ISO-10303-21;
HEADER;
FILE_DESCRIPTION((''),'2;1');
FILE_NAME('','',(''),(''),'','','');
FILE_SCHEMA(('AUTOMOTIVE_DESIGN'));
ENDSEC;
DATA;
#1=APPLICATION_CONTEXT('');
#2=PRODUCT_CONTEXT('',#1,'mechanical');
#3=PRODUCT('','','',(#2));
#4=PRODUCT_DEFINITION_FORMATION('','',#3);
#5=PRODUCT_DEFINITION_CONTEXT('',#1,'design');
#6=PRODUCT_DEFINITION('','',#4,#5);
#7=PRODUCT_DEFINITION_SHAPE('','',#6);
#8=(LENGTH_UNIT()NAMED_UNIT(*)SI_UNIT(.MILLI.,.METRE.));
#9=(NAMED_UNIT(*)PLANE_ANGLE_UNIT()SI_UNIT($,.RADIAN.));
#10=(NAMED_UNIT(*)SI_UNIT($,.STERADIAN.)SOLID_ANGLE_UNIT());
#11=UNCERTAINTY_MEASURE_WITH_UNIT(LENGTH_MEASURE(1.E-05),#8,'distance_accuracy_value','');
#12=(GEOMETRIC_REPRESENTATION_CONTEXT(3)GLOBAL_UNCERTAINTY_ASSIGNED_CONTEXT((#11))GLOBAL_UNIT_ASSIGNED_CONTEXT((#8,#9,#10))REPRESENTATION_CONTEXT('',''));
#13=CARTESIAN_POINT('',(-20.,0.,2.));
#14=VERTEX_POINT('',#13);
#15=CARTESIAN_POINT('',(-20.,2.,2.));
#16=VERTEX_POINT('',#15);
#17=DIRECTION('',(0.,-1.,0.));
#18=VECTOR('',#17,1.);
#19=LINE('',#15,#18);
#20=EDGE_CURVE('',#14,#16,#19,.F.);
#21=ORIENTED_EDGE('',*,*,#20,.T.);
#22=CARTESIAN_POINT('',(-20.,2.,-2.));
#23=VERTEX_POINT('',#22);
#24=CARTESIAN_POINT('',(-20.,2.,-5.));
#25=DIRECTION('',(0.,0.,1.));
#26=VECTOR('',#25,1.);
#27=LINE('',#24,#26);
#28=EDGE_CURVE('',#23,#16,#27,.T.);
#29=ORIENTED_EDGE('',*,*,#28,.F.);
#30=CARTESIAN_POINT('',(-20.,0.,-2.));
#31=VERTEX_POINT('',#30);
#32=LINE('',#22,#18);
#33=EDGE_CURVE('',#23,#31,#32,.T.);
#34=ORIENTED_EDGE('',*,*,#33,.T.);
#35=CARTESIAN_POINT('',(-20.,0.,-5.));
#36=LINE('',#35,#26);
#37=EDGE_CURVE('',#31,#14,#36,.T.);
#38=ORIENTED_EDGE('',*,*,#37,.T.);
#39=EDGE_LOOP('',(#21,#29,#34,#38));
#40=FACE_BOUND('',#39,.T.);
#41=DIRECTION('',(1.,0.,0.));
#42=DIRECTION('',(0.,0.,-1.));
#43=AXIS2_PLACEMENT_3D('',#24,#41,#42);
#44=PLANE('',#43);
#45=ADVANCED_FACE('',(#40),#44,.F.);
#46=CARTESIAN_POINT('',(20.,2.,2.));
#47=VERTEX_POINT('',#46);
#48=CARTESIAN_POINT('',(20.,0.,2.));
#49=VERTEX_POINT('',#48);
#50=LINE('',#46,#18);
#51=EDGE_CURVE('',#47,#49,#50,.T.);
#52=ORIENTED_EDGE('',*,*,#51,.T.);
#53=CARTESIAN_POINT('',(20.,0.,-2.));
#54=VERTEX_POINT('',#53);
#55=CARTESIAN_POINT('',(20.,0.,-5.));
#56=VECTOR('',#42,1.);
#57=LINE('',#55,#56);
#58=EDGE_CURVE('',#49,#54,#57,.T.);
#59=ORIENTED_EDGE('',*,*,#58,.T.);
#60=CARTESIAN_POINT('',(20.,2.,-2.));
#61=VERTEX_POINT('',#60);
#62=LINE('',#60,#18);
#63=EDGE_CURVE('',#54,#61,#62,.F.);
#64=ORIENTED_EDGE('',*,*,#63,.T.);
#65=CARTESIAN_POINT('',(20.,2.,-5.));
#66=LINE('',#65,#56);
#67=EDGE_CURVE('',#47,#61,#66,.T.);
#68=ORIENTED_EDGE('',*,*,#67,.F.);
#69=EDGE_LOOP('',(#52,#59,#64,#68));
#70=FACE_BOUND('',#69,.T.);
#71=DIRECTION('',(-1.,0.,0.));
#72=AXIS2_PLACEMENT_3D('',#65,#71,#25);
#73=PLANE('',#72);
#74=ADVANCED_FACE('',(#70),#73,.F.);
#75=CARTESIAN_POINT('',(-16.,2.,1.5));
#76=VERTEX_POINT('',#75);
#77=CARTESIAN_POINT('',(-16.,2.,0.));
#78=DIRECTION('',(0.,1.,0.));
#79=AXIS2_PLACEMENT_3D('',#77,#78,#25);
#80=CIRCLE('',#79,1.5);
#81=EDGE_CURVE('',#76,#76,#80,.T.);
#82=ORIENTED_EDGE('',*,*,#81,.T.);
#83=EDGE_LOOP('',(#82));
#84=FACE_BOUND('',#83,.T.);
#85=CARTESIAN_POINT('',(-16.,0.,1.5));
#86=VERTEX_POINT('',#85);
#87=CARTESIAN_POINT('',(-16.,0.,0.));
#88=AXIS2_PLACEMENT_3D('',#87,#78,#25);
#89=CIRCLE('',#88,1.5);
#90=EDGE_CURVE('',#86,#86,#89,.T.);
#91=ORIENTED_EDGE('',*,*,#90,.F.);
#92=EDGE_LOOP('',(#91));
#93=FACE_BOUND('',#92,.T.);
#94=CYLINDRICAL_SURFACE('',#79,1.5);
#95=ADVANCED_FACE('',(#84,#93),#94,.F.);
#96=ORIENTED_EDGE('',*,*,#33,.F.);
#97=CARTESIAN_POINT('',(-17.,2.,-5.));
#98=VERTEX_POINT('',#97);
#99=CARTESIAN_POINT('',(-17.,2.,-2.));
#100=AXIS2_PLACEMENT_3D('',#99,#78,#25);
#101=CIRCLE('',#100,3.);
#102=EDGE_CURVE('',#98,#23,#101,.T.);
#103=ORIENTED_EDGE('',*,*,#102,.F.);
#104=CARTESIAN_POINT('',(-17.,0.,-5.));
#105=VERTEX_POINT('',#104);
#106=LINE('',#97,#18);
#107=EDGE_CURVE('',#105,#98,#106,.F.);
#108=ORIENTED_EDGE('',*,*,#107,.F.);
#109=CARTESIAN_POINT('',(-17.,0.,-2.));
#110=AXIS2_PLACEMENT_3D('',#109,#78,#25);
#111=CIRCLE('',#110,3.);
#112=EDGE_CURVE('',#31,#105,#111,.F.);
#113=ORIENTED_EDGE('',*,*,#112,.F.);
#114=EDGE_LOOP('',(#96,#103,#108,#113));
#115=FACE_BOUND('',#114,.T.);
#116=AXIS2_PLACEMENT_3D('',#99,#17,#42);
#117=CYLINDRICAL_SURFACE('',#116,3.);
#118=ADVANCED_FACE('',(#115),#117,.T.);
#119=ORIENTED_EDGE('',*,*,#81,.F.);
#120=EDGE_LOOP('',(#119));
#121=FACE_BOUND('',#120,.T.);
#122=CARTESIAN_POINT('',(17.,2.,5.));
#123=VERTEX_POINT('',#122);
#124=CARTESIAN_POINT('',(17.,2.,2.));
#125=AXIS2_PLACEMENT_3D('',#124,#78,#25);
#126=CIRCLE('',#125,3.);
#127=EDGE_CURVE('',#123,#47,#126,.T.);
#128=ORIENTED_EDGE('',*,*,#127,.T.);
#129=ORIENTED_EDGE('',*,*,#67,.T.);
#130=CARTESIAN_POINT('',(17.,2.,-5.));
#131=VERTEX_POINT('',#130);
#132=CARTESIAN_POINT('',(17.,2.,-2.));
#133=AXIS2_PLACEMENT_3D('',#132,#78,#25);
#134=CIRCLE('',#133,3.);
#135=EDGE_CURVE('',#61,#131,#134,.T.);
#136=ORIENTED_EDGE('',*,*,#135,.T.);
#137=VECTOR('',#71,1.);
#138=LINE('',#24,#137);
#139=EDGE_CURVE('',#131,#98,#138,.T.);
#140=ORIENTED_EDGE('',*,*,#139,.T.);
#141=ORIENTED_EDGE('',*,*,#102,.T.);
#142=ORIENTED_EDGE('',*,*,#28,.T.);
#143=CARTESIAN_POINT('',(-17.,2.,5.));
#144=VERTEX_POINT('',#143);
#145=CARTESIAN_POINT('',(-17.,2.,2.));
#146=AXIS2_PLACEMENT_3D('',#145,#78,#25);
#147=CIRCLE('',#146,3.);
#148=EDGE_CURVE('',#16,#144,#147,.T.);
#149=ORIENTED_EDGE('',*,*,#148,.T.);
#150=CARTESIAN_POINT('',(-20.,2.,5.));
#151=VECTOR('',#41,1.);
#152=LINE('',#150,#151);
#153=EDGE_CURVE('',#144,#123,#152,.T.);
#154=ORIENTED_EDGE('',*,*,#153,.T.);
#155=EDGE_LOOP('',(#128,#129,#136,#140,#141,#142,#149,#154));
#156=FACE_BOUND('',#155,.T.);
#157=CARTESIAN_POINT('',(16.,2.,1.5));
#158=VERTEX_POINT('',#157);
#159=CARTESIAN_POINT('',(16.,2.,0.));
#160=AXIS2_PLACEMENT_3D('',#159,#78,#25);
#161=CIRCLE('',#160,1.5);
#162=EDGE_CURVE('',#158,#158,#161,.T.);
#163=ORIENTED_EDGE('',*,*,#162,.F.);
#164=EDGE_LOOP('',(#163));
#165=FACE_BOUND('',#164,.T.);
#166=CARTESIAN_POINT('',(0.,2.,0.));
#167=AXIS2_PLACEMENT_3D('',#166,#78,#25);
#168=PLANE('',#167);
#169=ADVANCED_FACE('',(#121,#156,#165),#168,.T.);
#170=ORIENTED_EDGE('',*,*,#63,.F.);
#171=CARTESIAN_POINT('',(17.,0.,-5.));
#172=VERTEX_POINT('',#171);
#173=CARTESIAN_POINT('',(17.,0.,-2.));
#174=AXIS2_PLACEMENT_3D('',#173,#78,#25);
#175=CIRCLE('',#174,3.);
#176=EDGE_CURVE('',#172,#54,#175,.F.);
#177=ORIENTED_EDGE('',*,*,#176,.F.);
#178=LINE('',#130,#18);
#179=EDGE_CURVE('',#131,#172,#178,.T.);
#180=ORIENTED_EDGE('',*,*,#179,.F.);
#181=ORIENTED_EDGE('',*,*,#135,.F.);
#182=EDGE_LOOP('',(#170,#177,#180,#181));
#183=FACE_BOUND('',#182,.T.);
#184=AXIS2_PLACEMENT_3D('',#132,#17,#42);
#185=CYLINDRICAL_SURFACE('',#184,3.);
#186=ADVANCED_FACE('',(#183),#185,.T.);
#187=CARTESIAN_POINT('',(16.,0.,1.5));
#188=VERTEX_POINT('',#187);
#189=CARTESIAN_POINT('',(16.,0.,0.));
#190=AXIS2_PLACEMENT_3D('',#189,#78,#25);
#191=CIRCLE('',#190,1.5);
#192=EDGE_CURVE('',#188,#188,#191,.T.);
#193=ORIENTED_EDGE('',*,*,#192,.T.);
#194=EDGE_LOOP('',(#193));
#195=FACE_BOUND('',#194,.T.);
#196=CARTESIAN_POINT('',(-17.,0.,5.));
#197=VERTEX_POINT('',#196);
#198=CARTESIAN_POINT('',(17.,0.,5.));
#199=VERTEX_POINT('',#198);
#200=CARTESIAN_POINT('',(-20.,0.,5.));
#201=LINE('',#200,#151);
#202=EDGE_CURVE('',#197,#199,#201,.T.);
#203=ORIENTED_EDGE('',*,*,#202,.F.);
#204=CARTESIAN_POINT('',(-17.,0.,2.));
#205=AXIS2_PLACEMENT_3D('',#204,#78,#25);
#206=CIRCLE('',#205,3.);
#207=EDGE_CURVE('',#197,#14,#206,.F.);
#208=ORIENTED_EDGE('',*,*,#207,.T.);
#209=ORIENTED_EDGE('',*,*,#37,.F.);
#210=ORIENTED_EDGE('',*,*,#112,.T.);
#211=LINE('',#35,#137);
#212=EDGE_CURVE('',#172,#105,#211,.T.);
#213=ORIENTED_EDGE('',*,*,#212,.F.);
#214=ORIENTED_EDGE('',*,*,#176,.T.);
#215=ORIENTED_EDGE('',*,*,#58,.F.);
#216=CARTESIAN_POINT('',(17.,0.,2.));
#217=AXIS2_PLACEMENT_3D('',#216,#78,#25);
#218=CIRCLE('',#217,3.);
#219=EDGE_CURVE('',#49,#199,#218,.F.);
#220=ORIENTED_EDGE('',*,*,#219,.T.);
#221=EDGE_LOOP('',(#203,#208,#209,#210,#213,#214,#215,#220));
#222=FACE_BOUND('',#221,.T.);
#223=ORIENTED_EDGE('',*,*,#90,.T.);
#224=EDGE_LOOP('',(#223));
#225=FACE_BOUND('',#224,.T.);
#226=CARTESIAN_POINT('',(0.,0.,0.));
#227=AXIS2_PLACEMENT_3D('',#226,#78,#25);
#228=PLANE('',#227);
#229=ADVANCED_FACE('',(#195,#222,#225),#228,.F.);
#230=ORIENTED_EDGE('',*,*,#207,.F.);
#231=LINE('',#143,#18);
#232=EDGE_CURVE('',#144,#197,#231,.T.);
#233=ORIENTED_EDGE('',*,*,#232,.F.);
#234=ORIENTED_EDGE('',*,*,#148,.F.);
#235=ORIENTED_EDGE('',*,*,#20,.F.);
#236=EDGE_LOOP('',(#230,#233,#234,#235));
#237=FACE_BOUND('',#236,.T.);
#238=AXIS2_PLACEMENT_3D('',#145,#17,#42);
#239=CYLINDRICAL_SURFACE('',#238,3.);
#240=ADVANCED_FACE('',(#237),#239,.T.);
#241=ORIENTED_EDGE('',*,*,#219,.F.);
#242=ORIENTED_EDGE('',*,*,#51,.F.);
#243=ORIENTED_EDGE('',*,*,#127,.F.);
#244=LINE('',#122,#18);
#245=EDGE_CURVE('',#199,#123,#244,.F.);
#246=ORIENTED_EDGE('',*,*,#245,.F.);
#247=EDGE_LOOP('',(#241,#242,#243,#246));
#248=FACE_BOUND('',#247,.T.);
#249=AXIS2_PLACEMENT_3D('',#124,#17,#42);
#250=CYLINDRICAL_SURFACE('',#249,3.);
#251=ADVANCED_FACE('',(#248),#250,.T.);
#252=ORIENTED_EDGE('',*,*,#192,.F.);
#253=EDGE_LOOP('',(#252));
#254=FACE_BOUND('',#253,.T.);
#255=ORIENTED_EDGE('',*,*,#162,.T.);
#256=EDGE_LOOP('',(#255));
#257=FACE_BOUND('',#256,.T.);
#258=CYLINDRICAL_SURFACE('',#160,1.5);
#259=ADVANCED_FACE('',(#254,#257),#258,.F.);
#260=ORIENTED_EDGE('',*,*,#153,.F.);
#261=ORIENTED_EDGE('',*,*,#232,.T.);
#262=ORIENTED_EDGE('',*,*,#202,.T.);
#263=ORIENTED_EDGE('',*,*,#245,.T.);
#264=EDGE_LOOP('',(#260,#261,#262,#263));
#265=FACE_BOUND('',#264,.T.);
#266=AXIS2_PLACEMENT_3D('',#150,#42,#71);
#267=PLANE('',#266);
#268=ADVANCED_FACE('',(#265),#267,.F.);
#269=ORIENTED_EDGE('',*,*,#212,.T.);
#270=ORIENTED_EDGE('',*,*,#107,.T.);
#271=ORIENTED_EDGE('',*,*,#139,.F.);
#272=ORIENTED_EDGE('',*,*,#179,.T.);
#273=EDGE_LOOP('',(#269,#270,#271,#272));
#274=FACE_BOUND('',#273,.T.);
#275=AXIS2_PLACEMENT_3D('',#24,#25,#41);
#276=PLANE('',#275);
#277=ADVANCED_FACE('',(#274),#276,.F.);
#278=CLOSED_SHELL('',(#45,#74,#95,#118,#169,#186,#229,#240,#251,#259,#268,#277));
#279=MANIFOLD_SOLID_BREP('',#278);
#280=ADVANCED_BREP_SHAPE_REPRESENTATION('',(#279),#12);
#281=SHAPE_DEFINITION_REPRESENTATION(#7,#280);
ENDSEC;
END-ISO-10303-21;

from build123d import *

# Parameters (mm, degrees)
SKETCH1_W             = 40
SKETCH1_H             = 10
BOSS_EXTRUDE1_DEPTH   = 2
FILLET1_R             = 3
F_3_0MM_DOWEL_HOLE1_D = 3


with BuildPart() as part:
    # Sketch1 → Boss-Extrude1 (new body)
    with BuildSketch(Plane(origin=(0, 0, 0), x_dir=(1, 0, 0), z_dir=(0, 1, 0))):
        Rectangle(SKETCH1_W, SKETCH1_H)
    extrude(amount=BOSS_EXTRUDE1_DEPTH)

    # Fillet1
    fillet1_edges = [part.edges().sort_by_distance(p)[0] for p in [
        (20, 1, 5),
        (-20, 1, 5),
        (-20, 1, -5),
        (20, 1, -5),
    ]]
    fillet(fillet1_edges, radius=FILLET1_R)

    # Ø3.0mm Dowel Hole1 (through all)
    with Locations(Plane(origin=(0, 2, 0), x_dir=(1, 0, 0), z_dir=(0, 1, 0))):
        with Locations((16, 0), (-16, 0)):
            Hole(F_3_0MM_DOWEL_HOLE1_D / 2)


solid = part.part
